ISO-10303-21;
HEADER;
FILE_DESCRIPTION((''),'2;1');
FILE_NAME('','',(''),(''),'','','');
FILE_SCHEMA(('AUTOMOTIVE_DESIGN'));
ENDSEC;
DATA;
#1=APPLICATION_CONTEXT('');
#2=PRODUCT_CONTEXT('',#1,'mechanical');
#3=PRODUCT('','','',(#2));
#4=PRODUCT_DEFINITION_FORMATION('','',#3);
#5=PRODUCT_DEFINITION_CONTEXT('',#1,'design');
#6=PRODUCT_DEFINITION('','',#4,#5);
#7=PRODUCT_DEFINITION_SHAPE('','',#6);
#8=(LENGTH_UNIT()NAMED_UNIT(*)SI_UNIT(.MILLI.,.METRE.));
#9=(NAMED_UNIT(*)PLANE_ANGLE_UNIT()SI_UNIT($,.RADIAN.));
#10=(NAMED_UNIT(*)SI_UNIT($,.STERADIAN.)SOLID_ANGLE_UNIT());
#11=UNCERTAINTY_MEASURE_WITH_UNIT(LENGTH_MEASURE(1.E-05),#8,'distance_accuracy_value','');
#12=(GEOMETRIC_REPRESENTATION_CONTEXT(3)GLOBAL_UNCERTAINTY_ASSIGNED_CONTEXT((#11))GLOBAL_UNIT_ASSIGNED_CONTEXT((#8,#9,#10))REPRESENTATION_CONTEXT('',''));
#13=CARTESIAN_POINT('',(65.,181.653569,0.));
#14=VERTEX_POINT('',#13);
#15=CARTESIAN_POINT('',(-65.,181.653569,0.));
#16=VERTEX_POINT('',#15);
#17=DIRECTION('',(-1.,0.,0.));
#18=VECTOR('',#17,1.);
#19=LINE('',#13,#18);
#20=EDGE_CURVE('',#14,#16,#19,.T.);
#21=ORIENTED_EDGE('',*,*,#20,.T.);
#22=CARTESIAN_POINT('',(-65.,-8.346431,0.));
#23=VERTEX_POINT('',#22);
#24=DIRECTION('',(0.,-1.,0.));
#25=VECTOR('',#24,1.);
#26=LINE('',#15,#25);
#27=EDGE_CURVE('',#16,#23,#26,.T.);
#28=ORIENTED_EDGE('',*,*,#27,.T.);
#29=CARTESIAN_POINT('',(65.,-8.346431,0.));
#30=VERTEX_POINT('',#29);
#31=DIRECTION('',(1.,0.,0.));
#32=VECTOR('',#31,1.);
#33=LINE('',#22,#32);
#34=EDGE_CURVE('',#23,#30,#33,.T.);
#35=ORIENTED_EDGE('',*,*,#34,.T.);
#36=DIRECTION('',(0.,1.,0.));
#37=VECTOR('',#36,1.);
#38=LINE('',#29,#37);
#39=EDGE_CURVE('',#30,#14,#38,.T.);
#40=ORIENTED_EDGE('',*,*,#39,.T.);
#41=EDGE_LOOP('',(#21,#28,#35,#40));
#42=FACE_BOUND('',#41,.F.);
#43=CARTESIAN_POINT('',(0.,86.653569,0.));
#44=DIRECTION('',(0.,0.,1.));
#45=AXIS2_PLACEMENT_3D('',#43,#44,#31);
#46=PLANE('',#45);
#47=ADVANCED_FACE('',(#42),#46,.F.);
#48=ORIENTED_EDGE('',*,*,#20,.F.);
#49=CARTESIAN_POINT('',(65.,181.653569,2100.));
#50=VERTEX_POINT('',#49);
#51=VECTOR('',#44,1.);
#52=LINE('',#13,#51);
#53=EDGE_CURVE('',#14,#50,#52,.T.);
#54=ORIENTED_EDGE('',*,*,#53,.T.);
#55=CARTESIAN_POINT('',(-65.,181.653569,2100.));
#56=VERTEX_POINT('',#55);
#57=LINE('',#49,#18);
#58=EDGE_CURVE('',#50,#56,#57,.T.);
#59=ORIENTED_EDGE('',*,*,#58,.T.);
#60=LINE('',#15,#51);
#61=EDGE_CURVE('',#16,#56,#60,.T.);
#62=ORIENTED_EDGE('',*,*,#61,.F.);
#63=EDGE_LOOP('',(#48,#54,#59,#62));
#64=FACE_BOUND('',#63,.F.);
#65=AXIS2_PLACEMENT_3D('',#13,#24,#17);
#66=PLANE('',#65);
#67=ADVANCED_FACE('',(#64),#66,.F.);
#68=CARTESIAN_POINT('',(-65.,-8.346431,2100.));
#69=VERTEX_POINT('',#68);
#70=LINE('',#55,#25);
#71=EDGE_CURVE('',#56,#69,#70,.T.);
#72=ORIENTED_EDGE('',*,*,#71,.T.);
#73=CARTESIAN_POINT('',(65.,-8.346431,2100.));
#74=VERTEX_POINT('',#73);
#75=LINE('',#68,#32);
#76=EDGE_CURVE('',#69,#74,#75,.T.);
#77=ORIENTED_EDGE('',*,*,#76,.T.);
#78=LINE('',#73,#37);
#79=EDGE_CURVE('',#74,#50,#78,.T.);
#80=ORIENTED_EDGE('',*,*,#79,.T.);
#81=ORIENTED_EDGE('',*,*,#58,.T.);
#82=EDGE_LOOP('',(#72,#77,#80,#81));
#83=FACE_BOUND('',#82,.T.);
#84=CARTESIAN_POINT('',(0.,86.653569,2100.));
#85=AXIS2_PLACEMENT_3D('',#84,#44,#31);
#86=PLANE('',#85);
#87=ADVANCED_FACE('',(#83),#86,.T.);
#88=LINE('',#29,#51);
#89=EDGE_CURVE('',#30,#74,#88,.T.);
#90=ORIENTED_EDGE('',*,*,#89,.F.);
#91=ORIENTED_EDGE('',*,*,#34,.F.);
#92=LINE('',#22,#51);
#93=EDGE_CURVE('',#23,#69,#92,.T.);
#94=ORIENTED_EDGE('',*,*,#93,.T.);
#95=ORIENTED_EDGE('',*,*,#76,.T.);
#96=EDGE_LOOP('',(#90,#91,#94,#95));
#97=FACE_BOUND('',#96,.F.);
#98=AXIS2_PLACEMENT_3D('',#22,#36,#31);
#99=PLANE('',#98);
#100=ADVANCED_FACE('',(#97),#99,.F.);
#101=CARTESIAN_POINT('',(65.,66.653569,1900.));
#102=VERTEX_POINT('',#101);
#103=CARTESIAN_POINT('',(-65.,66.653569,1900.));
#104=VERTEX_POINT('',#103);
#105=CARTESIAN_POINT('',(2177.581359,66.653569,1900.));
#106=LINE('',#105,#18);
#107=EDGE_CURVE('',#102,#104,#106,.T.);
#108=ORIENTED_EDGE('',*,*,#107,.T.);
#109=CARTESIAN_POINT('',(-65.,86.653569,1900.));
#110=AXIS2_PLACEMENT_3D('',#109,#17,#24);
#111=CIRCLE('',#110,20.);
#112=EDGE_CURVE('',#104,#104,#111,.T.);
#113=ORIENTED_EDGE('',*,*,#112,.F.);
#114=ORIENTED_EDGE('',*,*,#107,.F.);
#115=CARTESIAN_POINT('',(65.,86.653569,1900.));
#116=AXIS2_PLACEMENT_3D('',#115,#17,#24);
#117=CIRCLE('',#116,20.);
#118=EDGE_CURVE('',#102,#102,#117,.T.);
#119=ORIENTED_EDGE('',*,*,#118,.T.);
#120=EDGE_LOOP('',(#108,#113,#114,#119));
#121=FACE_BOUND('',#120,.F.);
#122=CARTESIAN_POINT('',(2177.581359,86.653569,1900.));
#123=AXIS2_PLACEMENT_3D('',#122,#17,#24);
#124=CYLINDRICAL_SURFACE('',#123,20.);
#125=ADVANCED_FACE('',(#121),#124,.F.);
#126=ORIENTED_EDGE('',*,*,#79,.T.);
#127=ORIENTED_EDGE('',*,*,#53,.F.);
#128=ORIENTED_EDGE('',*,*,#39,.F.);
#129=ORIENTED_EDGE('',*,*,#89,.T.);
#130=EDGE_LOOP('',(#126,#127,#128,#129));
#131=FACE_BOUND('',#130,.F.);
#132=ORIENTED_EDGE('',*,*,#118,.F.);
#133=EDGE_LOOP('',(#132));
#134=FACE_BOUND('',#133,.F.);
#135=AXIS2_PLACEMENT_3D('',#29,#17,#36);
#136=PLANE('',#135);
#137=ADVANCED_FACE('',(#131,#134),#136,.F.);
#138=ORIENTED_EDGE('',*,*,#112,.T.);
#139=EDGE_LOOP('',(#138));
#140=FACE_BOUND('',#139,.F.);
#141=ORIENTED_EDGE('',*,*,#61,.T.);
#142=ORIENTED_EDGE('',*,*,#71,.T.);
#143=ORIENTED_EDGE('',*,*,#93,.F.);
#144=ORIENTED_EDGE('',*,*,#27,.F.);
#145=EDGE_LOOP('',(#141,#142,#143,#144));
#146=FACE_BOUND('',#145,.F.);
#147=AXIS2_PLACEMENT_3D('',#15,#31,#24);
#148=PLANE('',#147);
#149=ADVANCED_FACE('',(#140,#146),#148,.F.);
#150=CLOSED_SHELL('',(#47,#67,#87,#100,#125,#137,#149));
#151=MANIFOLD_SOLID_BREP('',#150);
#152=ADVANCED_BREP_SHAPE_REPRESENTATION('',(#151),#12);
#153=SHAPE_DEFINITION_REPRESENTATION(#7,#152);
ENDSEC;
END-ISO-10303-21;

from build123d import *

# Parameters (mm, degrees)
F1_DEPTH = 2100
F3_D     = 40


with BuildPart() as f1:
    # F0 (on Top) → F1 (new body)
    with BuildSketch(Plane.XY):
        Polygon((-34.255523, 181.653569), (-65, 181.653569), (-65, -8.346431), (65, -8.346431), (65, 181.653569), (34.255523, 181.653569), align=None)
    extrude(amount=F1_DEPTH)

    # F3 (through all)
    with Locations(Plane.YZ.offset(65)):
        with Locations((86.653569, 1900)):
            Hole(F3_D / 2)


solid = f1.part
